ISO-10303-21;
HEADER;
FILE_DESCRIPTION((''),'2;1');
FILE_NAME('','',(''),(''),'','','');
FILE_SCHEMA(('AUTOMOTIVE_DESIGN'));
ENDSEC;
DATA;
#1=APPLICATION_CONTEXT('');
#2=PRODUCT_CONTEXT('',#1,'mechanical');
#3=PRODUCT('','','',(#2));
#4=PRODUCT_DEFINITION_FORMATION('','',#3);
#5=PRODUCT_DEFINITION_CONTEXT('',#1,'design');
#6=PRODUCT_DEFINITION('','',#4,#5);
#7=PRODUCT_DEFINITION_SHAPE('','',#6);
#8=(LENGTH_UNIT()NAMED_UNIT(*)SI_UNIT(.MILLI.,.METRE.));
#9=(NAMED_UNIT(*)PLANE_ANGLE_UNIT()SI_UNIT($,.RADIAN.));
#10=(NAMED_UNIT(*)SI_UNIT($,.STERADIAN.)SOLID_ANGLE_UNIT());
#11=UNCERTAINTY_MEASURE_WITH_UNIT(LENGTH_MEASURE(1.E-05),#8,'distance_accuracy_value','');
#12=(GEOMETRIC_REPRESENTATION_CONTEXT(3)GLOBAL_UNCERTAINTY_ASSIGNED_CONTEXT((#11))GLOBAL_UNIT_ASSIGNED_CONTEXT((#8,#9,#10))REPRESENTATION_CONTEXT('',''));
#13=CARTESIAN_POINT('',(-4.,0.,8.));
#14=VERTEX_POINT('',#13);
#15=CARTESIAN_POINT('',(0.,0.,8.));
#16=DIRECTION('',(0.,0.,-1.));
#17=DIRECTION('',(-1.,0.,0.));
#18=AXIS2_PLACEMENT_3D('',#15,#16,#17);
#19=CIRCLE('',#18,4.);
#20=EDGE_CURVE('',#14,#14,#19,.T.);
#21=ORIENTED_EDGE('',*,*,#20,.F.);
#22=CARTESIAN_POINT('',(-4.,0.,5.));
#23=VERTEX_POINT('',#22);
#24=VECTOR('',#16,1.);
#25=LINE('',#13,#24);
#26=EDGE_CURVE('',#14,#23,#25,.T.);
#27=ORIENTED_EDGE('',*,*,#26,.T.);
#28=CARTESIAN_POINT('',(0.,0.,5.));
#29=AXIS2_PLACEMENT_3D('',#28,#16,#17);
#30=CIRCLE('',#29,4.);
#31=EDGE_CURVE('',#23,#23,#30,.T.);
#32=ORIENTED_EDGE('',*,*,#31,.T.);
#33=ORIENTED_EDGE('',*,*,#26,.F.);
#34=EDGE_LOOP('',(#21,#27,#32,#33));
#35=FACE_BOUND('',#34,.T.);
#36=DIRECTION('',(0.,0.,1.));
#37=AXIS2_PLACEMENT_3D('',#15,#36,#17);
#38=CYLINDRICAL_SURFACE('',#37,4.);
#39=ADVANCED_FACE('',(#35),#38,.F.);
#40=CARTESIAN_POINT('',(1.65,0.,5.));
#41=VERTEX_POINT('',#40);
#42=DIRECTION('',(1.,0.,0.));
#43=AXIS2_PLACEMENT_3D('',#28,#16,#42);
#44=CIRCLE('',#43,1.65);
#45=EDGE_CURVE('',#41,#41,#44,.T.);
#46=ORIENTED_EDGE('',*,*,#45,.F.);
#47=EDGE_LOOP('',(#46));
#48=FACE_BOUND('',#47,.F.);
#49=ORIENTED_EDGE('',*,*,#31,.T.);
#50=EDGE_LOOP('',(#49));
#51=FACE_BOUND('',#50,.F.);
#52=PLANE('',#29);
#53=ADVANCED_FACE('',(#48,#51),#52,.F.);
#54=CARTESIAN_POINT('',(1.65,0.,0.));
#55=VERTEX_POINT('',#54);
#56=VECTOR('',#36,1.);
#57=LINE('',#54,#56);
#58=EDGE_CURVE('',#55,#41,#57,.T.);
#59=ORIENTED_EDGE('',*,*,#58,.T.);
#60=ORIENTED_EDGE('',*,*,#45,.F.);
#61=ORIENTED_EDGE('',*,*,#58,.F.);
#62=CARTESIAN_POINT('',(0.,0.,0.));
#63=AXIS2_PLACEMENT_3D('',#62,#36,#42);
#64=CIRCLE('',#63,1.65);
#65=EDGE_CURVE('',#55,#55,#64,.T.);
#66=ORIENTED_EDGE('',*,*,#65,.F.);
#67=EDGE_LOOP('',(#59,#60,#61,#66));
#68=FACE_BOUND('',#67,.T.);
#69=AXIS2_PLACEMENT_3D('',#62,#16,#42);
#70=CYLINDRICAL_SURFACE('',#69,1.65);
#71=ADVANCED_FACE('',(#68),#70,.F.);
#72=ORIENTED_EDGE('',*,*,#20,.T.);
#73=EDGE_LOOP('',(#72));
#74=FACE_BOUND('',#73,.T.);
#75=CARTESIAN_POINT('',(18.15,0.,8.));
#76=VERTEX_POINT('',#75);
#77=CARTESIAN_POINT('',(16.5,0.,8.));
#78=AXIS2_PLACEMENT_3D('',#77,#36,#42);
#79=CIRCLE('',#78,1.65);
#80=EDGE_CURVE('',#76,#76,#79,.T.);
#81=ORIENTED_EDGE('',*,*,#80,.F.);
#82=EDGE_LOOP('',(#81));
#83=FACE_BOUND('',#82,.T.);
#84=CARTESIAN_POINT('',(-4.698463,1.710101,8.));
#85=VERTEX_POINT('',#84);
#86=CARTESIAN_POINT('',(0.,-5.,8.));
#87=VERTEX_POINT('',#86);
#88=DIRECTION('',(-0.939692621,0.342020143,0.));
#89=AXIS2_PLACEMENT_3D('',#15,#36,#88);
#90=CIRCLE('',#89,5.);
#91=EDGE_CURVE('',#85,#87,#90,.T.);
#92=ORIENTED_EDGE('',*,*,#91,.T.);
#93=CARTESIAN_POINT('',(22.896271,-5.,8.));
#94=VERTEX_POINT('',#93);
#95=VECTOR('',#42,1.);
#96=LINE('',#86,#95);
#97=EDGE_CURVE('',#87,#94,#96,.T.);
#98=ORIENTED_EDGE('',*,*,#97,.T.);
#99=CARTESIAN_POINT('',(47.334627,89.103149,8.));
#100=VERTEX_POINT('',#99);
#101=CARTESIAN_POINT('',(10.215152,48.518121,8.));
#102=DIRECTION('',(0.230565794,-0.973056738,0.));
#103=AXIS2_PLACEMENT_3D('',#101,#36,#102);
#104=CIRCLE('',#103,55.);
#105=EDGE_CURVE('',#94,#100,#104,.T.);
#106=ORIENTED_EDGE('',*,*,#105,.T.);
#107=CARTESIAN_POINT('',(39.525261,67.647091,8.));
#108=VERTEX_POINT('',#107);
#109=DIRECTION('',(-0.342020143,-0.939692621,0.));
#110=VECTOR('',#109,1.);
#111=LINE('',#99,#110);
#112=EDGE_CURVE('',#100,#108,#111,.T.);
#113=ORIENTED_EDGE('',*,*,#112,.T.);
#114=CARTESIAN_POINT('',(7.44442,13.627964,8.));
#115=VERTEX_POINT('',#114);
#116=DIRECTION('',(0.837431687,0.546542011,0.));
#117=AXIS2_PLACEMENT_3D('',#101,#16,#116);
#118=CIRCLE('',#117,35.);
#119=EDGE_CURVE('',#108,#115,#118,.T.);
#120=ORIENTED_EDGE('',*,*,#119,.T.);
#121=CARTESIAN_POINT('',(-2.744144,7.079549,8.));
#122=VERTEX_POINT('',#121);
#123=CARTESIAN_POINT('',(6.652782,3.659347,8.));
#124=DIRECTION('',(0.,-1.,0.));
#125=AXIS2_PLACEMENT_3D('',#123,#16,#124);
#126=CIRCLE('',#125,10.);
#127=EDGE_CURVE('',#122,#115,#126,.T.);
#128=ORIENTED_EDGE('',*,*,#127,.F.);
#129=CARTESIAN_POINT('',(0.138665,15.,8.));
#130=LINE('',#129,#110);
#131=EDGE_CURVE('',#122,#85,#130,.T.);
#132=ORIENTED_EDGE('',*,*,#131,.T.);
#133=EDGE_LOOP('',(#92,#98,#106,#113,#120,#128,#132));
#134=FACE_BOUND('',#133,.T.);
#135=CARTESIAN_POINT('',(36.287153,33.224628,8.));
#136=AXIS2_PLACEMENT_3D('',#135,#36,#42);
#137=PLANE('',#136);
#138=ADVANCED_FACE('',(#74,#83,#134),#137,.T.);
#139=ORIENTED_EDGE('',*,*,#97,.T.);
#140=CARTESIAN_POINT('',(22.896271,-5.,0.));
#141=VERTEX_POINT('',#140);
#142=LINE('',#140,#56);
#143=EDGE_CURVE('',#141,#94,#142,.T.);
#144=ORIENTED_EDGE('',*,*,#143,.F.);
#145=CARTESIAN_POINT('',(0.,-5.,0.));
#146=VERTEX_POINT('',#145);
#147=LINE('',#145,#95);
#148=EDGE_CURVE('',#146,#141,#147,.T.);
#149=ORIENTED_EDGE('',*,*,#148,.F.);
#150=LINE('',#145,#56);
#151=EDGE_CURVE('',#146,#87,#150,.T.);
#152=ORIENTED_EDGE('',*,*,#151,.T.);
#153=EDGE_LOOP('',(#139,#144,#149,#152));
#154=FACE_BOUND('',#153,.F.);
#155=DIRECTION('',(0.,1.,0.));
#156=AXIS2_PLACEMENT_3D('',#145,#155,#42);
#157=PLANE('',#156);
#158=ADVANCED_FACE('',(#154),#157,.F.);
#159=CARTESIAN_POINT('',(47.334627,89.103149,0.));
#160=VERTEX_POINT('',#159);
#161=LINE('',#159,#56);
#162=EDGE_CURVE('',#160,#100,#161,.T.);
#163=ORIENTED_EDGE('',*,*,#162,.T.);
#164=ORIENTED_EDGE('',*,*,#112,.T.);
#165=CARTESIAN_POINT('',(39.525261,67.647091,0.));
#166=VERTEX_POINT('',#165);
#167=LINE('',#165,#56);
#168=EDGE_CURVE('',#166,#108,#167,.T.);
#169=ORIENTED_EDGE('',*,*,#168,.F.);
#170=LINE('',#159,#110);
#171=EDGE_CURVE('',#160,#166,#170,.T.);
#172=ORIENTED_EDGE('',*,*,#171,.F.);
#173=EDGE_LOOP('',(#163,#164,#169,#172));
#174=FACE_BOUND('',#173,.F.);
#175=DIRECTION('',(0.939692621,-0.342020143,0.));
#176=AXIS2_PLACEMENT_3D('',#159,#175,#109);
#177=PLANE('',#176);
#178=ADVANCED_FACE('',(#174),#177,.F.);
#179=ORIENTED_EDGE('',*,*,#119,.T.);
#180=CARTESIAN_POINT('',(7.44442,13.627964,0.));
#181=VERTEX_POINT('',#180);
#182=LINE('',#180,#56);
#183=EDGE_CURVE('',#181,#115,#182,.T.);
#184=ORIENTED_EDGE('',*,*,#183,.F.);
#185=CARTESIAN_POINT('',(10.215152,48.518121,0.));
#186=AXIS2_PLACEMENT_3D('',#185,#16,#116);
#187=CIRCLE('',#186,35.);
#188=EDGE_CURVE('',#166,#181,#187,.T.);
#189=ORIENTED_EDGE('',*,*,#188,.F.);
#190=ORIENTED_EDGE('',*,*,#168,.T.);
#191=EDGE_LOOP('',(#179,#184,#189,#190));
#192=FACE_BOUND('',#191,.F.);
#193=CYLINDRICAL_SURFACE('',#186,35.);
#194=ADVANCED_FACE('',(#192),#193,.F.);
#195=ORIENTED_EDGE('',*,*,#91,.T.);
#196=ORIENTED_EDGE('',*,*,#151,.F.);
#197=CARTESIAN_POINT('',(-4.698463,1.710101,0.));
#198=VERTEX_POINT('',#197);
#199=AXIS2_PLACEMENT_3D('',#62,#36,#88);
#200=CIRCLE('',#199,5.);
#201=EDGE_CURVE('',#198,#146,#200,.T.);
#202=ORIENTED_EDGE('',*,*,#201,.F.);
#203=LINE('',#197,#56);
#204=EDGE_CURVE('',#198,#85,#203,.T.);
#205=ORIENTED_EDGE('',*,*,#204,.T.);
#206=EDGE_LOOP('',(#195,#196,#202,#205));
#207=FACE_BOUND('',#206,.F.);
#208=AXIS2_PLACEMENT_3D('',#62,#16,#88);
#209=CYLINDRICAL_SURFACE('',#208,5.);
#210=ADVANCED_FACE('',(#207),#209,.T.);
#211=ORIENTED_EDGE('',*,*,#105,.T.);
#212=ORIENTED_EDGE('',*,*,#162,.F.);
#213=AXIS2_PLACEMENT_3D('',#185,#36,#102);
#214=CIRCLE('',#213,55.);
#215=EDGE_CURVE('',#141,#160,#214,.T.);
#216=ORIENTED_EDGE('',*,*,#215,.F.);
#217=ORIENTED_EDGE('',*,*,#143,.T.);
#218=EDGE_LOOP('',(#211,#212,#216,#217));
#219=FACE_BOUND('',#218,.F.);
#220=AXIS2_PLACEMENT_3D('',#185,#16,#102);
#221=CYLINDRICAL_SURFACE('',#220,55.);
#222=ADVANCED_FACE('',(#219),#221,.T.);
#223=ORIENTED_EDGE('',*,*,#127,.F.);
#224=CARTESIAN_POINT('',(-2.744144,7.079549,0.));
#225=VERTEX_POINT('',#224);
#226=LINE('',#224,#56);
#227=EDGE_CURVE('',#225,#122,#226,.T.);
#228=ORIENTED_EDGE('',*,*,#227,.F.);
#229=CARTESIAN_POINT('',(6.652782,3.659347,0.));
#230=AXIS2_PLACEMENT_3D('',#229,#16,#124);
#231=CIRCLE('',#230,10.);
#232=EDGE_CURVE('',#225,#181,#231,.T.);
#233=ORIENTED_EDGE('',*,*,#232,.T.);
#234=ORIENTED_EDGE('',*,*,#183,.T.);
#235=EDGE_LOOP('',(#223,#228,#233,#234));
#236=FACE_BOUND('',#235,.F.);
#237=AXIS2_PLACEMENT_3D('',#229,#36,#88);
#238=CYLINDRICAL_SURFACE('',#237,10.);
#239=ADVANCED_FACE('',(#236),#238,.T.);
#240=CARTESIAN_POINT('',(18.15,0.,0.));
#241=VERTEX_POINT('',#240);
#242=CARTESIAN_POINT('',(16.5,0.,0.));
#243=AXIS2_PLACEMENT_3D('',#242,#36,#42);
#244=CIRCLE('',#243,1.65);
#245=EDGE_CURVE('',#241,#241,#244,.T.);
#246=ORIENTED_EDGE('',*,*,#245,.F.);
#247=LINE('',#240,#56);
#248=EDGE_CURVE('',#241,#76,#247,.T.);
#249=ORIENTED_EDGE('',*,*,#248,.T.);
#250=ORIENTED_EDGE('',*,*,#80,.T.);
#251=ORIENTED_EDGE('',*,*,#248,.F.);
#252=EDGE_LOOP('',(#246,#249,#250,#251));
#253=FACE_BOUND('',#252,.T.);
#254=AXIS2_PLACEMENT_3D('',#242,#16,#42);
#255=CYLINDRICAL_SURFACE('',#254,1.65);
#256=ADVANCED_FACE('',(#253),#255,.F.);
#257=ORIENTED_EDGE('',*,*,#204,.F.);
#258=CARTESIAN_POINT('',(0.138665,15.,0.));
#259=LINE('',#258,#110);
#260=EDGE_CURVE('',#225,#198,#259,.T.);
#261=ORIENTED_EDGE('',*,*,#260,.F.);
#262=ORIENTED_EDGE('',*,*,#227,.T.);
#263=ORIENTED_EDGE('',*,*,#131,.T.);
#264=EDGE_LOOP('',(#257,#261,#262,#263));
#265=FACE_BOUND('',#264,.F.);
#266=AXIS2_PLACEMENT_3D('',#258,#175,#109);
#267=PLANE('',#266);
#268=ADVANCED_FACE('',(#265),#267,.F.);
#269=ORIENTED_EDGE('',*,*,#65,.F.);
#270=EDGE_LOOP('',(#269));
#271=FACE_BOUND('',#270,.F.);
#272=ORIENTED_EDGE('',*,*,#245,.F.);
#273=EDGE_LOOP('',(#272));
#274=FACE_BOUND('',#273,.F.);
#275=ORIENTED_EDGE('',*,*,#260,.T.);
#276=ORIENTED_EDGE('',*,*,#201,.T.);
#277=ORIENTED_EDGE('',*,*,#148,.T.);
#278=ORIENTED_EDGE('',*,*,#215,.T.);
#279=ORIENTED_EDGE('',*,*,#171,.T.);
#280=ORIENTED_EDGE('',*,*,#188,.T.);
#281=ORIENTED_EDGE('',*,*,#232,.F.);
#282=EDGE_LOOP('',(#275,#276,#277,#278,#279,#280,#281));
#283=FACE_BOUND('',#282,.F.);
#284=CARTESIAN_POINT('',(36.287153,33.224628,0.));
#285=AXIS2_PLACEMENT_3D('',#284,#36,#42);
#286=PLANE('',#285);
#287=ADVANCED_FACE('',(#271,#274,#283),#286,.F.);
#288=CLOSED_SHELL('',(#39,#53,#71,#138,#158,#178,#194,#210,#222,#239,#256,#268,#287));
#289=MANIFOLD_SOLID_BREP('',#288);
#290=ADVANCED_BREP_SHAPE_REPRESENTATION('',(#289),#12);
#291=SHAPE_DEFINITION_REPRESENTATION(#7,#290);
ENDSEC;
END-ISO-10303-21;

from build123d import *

# Parameters (mm, degrees)
SKETCH_1_R          = 1.65
EXTRUDE_1_DEPTH     = 8
FILLET_1_R          = 10
SKETCH_2_R          = 4
CUT_EXTRUDE_1_DEPTH = 3


with BuildPart() as part:
    # 草圖1 → 填料-伸長1 (new body)
    with BuildSketch(Plane.XY):
        with BuildLine():
            Line((0, -5), (22.896270517, -5))
            ThreePointArc((22.896270517, -5), (63.449308727, 34.693340668), (47.334627368, 89.103149031))
            Line((47.334627368, 89.103149031), (39.525260877, 67.647090937))
            ThreePointArc((39.525260877, 67.647090937), (38.24035653, 27.551768918), (0.138664652, 15))
            Line((0.138664652, 15), (-4.698463104, 1.710100717))
            ThreePointArc((-4.698463104, 1.710100717), (-4.095760221, -2.867882182), (0, -5))
        make_face()
        Circle(SKETCH_1_R, mode=Mode.SUBTRACT)
        with Locations((16.5, 0)):
            Circle(SKETCH_1_R, mode=Mode.SUBTRACT)
    extrude(amount=EXTRUDE_1_DEPTH)

    # 圓角1
    fillet_1_edges = [part.edges().sort_by_distance(p)[0] for p in [
        (0.138664652, 15, 4),
    ]]
    fillet(fillet_1_edges, radius=FILLET_1_R)

    # 草圖2 → 除料-伸長1 (cut)
    with BuildSketch(Plane(origin=(0, 0, 8), x_dir=(-1, 0, 0), z_dir=(0, 0, -1))):
        Circle(SKETCH_2_R)
    extrude(amount=CUT_EXTRUDE_1_DEPTH, mode=Mode.SUBTRACT)


solid = part.part
